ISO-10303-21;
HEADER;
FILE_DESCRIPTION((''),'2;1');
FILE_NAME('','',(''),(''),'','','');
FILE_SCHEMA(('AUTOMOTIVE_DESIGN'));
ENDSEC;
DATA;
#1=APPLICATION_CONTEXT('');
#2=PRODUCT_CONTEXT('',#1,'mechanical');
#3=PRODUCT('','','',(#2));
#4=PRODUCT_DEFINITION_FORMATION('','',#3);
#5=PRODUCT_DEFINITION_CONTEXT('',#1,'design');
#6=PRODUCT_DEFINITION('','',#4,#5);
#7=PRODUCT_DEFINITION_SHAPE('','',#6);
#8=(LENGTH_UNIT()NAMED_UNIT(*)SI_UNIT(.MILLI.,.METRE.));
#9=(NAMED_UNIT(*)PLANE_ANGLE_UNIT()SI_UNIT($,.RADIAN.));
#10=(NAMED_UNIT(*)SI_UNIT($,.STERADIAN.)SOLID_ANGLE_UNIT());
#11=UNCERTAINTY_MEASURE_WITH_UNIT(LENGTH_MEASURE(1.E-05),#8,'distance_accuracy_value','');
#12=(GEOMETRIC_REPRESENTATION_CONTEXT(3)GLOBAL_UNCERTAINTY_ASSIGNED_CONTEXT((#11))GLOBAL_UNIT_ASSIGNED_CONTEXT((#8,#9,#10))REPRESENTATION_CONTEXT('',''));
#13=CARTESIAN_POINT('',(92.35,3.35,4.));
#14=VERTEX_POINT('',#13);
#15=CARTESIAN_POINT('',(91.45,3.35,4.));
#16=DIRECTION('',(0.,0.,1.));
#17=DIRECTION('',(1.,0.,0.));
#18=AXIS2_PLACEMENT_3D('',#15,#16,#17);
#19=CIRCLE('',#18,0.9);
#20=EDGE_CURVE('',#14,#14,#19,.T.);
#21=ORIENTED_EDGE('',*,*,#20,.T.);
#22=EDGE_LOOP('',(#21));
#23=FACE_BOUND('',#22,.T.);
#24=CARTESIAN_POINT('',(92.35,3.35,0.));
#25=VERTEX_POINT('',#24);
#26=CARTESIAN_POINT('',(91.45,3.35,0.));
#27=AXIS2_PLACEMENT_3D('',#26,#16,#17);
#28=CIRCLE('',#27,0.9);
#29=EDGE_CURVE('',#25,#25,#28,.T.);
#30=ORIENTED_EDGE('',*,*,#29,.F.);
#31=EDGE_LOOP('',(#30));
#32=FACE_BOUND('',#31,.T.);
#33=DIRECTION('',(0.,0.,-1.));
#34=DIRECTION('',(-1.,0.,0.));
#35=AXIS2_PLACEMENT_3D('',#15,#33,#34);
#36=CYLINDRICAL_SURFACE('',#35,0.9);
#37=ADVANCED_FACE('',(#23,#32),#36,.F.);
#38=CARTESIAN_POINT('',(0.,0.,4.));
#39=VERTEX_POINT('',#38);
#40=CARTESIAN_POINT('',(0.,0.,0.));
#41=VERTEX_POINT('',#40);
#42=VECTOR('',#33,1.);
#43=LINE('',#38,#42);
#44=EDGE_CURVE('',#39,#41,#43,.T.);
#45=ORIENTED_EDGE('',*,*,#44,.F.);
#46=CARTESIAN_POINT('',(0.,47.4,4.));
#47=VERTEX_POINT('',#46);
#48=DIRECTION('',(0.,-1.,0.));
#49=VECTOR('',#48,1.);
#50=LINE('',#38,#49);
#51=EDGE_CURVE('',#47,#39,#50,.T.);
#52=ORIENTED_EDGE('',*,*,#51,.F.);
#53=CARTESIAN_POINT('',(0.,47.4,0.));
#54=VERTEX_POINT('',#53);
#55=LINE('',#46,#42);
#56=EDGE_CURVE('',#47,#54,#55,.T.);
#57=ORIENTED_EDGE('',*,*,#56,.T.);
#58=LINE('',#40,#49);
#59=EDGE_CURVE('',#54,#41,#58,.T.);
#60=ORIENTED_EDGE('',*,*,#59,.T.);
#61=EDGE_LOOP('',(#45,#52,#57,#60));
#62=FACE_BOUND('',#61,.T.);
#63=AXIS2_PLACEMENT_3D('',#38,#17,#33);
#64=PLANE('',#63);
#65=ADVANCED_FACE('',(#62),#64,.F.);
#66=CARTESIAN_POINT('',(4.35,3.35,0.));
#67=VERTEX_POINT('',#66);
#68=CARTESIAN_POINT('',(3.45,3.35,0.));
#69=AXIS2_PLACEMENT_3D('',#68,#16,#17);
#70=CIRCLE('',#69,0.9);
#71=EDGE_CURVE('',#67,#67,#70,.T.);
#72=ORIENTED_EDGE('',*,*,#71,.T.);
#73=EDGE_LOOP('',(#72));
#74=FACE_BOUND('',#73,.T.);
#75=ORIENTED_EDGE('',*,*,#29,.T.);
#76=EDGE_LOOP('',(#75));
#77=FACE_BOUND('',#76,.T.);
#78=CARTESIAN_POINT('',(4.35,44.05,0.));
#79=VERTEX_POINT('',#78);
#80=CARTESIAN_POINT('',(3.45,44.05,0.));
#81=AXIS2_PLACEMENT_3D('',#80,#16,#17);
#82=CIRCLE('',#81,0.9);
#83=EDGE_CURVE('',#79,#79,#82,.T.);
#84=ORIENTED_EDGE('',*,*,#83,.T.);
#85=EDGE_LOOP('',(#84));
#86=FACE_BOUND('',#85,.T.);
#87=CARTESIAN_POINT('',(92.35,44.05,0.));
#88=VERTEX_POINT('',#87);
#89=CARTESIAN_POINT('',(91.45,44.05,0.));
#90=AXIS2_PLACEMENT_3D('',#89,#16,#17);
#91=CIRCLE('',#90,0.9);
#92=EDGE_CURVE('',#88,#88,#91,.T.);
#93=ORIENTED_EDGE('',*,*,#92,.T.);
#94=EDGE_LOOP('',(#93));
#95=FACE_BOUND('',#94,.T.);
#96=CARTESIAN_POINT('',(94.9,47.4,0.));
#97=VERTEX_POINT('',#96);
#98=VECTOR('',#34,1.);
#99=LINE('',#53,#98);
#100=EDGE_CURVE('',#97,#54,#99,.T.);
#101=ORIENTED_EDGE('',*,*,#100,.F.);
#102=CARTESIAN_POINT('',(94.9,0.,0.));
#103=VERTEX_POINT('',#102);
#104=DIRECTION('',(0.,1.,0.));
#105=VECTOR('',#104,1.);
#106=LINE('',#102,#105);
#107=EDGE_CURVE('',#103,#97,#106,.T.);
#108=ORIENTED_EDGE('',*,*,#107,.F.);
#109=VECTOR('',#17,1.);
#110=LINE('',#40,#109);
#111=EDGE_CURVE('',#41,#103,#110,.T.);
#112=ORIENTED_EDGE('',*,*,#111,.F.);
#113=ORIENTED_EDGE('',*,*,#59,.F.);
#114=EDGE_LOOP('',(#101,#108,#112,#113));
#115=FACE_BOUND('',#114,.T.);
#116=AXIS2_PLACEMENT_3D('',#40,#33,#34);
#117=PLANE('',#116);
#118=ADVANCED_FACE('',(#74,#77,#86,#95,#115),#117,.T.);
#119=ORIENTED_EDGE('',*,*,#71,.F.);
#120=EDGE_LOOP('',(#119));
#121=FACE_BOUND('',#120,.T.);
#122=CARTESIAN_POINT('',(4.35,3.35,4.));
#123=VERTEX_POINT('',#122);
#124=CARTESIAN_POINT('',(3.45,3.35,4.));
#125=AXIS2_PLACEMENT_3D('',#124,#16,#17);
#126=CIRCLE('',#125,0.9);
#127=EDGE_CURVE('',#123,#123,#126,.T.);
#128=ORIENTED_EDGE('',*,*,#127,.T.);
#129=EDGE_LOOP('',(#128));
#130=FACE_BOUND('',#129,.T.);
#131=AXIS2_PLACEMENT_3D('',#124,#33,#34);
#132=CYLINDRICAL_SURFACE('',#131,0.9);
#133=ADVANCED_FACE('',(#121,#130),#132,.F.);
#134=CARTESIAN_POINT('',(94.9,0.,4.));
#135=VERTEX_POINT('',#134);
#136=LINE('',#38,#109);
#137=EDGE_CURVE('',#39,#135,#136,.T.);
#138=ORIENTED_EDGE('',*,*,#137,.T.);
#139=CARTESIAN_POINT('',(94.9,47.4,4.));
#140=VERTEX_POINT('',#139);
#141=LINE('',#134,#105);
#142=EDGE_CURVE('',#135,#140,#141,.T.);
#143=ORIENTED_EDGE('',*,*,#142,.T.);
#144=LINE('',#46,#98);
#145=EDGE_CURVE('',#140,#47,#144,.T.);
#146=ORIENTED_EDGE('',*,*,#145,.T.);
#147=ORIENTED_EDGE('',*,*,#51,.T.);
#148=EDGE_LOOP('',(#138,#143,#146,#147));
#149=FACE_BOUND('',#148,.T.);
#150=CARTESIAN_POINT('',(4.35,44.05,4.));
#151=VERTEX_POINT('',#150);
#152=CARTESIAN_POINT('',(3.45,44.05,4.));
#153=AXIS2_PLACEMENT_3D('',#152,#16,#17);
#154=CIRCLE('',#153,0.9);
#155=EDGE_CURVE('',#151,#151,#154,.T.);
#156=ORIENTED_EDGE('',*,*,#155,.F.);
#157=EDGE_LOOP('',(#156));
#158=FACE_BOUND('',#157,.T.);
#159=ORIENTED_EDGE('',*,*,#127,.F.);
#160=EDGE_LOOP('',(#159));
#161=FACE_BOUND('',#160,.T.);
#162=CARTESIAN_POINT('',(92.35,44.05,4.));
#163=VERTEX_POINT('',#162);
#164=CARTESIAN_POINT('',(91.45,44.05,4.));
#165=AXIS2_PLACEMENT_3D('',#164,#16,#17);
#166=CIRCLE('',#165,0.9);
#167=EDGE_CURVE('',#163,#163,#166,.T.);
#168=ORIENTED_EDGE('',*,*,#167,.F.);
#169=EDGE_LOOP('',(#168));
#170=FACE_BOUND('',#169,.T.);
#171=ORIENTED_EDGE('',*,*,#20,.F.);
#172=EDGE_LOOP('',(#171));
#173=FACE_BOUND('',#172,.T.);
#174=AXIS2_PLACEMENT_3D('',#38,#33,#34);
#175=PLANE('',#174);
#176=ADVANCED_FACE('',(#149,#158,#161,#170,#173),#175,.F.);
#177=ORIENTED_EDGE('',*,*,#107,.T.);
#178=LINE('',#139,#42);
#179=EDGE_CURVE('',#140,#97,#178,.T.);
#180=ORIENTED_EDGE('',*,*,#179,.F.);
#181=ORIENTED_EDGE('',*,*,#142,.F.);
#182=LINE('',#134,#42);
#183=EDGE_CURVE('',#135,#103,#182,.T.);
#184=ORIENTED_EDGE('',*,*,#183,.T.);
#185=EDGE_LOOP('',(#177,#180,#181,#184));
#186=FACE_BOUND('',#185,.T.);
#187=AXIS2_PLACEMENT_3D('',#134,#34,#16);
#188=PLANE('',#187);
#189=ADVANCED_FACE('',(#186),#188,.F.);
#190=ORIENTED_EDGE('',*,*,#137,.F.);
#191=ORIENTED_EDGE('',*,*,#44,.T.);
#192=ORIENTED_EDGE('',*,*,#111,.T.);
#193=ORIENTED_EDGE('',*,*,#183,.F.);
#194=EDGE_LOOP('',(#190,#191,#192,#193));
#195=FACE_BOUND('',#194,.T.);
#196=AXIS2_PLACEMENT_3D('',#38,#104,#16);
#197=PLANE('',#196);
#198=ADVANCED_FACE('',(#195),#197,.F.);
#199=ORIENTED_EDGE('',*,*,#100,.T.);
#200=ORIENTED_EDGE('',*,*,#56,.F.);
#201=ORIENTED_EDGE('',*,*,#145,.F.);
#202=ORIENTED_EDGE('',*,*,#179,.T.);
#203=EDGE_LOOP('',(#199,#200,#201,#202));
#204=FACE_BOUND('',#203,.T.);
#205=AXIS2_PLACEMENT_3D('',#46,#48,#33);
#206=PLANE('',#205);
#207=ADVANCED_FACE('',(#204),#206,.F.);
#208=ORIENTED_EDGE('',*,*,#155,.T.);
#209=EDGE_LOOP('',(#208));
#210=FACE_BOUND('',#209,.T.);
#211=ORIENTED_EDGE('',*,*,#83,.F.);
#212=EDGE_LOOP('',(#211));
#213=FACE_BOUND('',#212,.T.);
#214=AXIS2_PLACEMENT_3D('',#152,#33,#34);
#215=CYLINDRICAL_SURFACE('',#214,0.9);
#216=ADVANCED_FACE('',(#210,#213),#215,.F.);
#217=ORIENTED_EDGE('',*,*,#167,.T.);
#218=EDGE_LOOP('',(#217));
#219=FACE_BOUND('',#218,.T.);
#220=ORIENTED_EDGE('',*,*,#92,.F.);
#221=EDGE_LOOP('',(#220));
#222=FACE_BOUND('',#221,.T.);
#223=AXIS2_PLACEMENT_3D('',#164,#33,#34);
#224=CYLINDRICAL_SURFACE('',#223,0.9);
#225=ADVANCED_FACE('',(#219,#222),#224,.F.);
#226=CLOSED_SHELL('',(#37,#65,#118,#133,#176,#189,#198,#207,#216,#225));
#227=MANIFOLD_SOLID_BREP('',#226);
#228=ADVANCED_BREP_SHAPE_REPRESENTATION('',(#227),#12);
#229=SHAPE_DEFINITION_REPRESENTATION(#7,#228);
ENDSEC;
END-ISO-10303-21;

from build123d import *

# Parameters (mm, degrees)
ESQUISSE1_W        = 94.9
ESQUISSE1_H        = 47.4
ESQUISSE1_R        = 0.9
BOSS_EXTRU_1_DEPTH = 4


with BuildPart() as part:
    # Esquisse1 → Boss.-Extru.1 (new body)
    with BuildSketch(Plane.XY):
        with Locations((47.45, 23.7)):
            Rectangle(ESQUISSE1_W, ESQUISSE1_H)
        with Locations((3.45, 44.05)):
            Circle(ESQUISSE1_R, mode=Mode.SUBTRACT)
        with Locations((3.45, 3.35)):
            Circle(ESQUISSE1_R, mode=Mode.SUBTRACT)
        with Locations((91.45, 3.35)):
            Circle(ESQUISSE1_R, mode=Mode.SUBTRACT)
        with Locations((91.45, 44.05)):
            Circle(ESQUISSE1_R, mode=Mode.SUBTRACT)
    extrude(amount=BOSS_EXTRU_1_DEPTH)


solid = part.part
